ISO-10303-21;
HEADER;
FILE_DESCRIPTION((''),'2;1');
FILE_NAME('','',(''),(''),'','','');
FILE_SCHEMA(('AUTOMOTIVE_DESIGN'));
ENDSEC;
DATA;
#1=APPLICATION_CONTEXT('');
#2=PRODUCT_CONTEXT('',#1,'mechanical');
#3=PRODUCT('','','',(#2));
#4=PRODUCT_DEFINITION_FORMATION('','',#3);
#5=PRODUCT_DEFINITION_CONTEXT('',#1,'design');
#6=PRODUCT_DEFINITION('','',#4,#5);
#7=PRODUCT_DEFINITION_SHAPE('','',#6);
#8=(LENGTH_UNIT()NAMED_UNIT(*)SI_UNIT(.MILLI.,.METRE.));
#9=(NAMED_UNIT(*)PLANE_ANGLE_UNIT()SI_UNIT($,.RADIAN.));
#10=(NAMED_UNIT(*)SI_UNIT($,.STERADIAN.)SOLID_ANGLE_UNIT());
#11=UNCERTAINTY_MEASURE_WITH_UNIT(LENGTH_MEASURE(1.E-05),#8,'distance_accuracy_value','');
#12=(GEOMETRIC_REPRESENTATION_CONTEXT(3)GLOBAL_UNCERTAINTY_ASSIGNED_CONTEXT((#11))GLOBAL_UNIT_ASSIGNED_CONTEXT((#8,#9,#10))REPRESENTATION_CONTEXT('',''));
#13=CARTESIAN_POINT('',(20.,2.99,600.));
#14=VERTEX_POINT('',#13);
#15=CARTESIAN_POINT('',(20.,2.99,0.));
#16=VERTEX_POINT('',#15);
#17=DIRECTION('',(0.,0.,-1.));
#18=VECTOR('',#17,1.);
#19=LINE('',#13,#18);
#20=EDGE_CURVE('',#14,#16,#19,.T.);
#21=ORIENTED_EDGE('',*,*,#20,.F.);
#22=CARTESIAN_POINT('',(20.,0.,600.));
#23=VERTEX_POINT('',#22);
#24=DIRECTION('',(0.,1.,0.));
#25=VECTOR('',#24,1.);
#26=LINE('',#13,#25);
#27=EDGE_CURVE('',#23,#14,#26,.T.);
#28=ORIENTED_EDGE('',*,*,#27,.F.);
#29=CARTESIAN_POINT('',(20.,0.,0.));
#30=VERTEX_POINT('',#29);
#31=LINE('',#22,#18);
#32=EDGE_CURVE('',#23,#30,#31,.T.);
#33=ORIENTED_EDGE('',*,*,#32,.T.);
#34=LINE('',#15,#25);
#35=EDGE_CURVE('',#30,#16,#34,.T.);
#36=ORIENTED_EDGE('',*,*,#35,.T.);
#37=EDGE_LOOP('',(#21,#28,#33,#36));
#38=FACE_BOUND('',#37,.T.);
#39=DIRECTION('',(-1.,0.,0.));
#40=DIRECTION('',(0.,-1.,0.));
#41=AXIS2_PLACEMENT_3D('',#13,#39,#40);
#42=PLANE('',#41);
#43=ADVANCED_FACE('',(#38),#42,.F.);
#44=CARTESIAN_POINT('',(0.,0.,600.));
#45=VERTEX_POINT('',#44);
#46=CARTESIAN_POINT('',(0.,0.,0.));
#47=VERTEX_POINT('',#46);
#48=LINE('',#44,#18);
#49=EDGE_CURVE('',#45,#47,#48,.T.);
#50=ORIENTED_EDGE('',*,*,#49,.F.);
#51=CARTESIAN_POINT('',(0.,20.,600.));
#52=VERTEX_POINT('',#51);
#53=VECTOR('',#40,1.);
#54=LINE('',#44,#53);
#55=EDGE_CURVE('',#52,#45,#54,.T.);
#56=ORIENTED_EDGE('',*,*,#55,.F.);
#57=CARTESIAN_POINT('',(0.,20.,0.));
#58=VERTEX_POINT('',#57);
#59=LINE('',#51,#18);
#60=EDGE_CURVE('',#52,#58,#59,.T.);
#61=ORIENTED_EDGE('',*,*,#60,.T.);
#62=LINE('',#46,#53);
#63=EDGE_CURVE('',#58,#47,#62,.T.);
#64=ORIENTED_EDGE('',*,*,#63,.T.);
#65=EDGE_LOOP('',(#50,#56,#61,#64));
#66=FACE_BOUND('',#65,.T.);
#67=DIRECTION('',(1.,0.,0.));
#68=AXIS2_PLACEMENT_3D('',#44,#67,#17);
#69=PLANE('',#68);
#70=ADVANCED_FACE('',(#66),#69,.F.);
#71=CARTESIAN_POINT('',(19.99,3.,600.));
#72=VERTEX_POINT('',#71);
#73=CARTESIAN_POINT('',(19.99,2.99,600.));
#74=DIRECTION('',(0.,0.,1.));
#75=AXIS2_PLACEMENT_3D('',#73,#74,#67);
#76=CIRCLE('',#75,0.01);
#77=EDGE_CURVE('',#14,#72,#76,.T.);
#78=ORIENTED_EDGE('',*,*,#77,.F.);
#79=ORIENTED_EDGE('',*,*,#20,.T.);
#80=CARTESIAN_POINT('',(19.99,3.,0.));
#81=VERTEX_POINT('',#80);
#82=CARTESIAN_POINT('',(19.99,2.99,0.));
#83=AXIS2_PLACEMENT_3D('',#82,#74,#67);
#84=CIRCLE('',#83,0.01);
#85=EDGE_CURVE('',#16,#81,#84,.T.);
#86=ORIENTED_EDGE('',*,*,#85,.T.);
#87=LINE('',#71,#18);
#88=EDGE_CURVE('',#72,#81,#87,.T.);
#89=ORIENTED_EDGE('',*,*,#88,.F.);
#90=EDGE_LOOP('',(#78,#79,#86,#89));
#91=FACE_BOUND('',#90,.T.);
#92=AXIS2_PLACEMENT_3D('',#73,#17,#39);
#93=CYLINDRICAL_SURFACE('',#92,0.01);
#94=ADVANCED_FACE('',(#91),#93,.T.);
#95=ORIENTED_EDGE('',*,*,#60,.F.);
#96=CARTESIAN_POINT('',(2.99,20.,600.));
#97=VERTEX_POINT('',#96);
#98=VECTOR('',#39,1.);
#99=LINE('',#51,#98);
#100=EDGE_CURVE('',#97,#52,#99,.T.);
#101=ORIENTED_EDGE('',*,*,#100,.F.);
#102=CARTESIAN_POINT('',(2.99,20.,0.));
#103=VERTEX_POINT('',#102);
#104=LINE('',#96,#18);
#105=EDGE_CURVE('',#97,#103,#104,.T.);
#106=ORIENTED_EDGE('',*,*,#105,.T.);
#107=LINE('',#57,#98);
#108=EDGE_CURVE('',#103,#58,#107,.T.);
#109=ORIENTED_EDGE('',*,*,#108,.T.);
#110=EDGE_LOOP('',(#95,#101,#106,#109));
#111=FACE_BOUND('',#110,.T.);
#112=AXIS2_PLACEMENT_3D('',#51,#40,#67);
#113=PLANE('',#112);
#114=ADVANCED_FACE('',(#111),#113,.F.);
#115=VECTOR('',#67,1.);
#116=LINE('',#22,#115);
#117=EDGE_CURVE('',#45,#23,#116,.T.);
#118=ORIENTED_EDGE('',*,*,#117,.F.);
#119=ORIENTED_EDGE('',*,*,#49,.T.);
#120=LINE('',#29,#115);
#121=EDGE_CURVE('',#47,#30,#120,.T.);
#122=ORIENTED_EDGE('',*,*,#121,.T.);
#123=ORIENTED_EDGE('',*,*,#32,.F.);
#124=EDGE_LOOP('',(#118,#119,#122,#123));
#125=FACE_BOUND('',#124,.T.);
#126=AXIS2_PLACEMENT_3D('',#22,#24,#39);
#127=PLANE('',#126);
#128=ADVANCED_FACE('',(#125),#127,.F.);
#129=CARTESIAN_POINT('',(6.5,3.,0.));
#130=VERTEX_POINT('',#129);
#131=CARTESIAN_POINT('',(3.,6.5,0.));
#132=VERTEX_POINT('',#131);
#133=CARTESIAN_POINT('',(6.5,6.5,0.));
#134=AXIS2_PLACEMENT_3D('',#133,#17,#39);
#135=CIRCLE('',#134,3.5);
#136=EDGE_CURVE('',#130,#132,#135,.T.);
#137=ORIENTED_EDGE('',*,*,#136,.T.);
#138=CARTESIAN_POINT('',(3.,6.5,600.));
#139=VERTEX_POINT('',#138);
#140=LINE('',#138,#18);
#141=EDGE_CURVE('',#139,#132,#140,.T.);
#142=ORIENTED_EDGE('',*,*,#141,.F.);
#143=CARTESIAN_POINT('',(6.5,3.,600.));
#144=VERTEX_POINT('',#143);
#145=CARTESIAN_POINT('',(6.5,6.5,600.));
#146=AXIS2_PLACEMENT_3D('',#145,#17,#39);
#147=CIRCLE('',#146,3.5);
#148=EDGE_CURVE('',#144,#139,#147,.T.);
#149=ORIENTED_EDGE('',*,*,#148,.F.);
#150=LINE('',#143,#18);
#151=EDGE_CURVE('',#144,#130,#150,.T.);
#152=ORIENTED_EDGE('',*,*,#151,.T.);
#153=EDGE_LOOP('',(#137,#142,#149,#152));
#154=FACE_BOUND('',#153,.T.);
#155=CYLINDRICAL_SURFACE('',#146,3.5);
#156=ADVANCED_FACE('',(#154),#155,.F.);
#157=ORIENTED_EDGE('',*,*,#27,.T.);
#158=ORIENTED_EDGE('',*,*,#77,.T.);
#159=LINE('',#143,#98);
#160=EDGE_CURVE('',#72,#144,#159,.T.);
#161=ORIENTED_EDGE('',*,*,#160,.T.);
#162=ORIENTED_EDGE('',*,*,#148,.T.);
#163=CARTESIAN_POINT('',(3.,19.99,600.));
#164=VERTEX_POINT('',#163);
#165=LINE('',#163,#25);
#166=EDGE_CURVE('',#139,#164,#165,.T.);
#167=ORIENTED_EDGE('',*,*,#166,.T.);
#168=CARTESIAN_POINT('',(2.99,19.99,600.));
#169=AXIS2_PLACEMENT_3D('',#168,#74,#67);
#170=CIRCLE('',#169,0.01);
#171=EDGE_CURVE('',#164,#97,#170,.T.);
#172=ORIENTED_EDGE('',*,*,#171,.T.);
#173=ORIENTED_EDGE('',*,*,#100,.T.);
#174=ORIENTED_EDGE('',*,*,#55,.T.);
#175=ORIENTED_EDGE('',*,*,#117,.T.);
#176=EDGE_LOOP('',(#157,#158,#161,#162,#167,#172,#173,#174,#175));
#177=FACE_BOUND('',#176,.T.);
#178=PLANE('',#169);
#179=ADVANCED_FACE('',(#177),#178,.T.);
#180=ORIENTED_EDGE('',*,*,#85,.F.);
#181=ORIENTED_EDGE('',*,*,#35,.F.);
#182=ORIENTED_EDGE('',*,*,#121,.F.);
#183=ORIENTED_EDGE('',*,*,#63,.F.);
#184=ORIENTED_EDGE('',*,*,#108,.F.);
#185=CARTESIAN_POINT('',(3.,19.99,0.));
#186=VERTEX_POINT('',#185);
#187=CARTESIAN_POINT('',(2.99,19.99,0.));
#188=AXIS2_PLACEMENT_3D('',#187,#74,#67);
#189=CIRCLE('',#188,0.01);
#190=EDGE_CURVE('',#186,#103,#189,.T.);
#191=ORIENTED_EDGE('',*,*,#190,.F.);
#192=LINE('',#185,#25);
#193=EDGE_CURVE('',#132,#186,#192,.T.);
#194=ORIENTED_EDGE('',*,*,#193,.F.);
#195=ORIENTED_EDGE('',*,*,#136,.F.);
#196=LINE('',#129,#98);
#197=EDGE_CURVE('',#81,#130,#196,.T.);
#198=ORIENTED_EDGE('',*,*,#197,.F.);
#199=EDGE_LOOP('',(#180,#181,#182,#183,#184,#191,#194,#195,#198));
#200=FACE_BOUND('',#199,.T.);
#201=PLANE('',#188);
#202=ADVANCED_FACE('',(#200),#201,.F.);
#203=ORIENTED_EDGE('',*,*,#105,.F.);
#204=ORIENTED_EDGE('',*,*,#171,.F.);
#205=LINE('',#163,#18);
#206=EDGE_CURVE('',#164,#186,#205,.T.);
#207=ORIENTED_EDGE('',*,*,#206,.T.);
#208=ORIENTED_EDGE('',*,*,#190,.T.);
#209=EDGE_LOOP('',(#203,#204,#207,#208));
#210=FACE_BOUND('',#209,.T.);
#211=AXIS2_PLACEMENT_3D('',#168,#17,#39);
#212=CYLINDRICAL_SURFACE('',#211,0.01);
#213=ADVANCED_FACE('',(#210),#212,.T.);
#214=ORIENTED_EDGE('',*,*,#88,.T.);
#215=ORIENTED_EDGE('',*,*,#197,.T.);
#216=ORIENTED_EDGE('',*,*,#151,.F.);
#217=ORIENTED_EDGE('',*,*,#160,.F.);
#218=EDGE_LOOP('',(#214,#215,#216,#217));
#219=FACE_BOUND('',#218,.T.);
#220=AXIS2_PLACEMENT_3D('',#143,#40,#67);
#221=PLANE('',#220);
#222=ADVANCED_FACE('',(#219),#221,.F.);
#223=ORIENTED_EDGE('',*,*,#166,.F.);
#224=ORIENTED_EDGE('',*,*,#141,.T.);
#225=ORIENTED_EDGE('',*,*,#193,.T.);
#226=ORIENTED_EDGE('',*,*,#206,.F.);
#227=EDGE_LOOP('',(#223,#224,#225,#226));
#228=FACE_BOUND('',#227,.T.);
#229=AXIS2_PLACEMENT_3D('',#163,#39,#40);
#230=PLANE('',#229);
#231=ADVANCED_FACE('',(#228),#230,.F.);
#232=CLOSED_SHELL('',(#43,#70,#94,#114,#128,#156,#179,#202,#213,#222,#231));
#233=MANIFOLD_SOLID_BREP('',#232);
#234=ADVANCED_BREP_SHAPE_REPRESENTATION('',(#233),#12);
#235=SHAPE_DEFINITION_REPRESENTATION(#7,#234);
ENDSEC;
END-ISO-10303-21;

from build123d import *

# Parameters (mm, degrees)
EXTRUDE_1_DEPTH = 600


with BuildPart() as part:
    # 草图1 → 拉伸1 (new body)
    with BuildSketch(Plane.XY):
        with BuildLine():
            Line((0, 0), (0, 20))
            Line((0, 20), (2.99, 20))
            ThreePointArc((2.99, 20), (2.997071068, 19.997071068), (3, 19.99))
            Line((3, 19.99), (3, 6.5))
            ThreePointArc((3, 6.5), (4.025126266, 4.025126266), (6.5, 3))
            Line((6.5, 3), (19.99, 3))
            ThreePointArc((19.99, 3), (19.997071068, 2.997071068), (20, 2.99))
            Line((20, 2.99), (20, 0))
            Line((20, 0), (0, 0))
        make_face()
    extrude(amount=EXTRUDE_1_DEPTH)


solid = part.part
